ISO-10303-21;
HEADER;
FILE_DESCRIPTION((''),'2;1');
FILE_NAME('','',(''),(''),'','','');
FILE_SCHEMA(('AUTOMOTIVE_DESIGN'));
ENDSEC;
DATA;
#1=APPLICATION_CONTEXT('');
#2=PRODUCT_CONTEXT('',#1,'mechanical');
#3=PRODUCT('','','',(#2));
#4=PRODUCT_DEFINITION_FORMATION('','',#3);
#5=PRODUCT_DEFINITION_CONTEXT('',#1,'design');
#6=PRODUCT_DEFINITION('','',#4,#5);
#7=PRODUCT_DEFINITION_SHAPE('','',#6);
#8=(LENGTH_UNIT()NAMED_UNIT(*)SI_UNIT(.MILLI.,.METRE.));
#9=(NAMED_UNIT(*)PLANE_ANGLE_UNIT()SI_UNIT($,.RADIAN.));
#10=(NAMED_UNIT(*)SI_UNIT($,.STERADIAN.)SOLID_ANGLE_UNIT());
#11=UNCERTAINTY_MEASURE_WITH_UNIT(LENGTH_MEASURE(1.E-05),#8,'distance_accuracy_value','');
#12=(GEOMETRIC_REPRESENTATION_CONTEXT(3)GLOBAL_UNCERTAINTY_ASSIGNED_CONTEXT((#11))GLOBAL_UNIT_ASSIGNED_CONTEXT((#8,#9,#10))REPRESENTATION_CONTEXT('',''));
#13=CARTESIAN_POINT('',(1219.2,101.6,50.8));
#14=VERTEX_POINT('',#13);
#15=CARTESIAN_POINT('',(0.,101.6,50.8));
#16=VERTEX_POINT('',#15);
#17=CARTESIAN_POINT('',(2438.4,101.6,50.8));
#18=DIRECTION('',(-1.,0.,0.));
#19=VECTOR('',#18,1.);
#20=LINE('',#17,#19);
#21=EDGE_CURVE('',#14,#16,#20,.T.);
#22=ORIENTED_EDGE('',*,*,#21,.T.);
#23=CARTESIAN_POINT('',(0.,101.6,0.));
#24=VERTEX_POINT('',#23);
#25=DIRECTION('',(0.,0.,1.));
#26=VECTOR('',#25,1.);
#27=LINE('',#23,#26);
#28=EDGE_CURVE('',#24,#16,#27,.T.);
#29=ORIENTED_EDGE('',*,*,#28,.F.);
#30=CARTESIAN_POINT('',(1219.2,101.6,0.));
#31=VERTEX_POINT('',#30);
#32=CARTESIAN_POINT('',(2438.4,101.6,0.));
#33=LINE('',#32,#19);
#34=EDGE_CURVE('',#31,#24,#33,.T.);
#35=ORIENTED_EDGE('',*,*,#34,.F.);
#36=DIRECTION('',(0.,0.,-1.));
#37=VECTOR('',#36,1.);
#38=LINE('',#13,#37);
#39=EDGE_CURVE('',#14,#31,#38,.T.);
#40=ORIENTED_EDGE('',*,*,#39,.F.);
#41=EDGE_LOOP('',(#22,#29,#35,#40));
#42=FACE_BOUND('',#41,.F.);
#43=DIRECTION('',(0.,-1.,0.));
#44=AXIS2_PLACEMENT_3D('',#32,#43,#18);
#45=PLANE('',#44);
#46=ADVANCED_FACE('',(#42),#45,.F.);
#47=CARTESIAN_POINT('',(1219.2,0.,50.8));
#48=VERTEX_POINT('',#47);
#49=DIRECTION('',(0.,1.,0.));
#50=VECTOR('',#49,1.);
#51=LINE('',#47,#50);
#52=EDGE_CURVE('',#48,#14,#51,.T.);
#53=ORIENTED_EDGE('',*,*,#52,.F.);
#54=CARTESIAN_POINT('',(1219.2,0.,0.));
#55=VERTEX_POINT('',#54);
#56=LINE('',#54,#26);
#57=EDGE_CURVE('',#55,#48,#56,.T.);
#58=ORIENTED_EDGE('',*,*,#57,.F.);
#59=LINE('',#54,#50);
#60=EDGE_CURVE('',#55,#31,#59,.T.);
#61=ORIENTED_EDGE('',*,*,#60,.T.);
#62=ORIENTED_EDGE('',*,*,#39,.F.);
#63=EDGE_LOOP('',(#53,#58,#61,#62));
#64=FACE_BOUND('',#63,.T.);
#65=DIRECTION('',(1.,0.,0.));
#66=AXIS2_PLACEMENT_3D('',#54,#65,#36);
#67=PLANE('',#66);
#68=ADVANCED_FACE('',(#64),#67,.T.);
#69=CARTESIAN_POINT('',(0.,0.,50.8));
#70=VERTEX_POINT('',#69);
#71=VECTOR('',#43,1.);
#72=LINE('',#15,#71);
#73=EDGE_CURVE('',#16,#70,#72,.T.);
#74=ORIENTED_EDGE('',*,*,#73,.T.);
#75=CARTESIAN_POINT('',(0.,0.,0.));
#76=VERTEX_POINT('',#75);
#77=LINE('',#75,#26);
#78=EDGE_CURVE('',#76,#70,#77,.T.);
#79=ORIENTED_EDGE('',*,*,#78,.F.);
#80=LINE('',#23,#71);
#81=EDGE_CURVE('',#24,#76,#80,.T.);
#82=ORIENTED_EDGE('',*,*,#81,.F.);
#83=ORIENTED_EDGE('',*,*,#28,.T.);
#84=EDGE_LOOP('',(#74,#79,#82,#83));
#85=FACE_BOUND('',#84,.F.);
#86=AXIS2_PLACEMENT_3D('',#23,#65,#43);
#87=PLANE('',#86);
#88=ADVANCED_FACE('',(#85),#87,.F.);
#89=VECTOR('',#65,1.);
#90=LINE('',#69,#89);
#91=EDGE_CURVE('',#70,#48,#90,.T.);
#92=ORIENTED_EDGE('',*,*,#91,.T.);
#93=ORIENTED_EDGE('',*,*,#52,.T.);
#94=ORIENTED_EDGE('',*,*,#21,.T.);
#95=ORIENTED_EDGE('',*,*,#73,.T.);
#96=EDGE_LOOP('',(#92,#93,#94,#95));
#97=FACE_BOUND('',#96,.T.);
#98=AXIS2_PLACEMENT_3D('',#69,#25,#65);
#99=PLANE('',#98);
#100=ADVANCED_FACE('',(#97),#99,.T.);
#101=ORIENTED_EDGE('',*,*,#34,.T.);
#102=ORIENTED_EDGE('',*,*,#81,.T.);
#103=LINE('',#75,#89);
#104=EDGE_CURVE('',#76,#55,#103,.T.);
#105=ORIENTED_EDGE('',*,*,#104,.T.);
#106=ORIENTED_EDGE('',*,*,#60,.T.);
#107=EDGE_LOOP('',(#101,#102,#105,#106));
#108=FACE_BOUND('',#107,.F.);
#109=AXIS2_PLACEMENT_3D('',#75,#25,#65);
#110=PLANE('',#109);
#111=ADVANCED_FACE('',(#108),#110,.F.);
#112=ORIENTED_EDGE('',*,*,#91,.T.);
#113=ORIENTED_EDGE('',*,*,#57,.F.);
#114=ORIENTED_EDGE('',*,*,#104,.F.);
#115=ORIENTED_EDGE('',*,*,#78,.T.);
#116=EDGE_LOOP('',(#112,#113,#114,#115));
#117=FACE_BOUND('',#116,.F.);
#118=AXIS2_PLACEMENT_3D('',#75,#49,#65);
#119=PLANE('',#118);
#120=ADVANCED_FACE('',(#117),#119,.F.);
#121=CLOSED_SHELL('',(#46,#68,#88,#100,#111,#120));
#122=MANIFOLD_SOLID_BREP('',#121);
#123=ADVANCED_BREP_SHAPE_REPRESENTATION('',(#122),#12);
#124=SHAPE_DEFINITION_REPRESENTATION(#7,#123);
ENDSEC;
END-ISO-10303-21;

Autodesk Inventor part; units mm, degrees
ref_plane "YZ Plane" through (0, 0, 0) normal (1, 0, 0) x (0, 1, 0)
ref_plane "XZ Plane" through (0, 0, 0) normal (0, 1, 0) x (-1, 0, 0)
ref_plane "XY Plane" through (0, 0, 0) normal (0, 0, 1) x (1, 0, 0)
sketch "Sketch1" plane through (0, 0, 0) normal (0, 0, 1) x (1, 0, 0)
  line L0 (0, 0) -> (2438.4, 0)
  line L1 (2438.4, 0) -> (2438.4, 101.6)
  line L2 (2438.4, 101.6) -> (0, 101.6)
  line L3 (0, 101.6) -> (0, 0)
  dimension "d0" = 2438.4
  dimension "d1" = 101.6
extrude "Extrusion1" add sketch "Sketch1" along normal blind 50.8
sketch "Sketch2" plane through (2438.4, 0, 0) normal (1, 0, 0) x (0, 0, -1)
  line L0 (0, 0) -> (0, 101.6) projected
  line L1 (-50.8, 0) -> (-50.8, 101.6) projected
  line L2 (0, 0) -> (-50.8, 0)
  line L3 (-50.8, 0) -> (-50.8, 101.6)
  line L4 (-50.8, 101.6) -> (0, 101.6)
  line L5 (0, 101.6) -> (0, 0)
extrude "Extrusion2" cut sketch "Sketch2" against normal blind 1219.2
properties part number "2x4x48"
